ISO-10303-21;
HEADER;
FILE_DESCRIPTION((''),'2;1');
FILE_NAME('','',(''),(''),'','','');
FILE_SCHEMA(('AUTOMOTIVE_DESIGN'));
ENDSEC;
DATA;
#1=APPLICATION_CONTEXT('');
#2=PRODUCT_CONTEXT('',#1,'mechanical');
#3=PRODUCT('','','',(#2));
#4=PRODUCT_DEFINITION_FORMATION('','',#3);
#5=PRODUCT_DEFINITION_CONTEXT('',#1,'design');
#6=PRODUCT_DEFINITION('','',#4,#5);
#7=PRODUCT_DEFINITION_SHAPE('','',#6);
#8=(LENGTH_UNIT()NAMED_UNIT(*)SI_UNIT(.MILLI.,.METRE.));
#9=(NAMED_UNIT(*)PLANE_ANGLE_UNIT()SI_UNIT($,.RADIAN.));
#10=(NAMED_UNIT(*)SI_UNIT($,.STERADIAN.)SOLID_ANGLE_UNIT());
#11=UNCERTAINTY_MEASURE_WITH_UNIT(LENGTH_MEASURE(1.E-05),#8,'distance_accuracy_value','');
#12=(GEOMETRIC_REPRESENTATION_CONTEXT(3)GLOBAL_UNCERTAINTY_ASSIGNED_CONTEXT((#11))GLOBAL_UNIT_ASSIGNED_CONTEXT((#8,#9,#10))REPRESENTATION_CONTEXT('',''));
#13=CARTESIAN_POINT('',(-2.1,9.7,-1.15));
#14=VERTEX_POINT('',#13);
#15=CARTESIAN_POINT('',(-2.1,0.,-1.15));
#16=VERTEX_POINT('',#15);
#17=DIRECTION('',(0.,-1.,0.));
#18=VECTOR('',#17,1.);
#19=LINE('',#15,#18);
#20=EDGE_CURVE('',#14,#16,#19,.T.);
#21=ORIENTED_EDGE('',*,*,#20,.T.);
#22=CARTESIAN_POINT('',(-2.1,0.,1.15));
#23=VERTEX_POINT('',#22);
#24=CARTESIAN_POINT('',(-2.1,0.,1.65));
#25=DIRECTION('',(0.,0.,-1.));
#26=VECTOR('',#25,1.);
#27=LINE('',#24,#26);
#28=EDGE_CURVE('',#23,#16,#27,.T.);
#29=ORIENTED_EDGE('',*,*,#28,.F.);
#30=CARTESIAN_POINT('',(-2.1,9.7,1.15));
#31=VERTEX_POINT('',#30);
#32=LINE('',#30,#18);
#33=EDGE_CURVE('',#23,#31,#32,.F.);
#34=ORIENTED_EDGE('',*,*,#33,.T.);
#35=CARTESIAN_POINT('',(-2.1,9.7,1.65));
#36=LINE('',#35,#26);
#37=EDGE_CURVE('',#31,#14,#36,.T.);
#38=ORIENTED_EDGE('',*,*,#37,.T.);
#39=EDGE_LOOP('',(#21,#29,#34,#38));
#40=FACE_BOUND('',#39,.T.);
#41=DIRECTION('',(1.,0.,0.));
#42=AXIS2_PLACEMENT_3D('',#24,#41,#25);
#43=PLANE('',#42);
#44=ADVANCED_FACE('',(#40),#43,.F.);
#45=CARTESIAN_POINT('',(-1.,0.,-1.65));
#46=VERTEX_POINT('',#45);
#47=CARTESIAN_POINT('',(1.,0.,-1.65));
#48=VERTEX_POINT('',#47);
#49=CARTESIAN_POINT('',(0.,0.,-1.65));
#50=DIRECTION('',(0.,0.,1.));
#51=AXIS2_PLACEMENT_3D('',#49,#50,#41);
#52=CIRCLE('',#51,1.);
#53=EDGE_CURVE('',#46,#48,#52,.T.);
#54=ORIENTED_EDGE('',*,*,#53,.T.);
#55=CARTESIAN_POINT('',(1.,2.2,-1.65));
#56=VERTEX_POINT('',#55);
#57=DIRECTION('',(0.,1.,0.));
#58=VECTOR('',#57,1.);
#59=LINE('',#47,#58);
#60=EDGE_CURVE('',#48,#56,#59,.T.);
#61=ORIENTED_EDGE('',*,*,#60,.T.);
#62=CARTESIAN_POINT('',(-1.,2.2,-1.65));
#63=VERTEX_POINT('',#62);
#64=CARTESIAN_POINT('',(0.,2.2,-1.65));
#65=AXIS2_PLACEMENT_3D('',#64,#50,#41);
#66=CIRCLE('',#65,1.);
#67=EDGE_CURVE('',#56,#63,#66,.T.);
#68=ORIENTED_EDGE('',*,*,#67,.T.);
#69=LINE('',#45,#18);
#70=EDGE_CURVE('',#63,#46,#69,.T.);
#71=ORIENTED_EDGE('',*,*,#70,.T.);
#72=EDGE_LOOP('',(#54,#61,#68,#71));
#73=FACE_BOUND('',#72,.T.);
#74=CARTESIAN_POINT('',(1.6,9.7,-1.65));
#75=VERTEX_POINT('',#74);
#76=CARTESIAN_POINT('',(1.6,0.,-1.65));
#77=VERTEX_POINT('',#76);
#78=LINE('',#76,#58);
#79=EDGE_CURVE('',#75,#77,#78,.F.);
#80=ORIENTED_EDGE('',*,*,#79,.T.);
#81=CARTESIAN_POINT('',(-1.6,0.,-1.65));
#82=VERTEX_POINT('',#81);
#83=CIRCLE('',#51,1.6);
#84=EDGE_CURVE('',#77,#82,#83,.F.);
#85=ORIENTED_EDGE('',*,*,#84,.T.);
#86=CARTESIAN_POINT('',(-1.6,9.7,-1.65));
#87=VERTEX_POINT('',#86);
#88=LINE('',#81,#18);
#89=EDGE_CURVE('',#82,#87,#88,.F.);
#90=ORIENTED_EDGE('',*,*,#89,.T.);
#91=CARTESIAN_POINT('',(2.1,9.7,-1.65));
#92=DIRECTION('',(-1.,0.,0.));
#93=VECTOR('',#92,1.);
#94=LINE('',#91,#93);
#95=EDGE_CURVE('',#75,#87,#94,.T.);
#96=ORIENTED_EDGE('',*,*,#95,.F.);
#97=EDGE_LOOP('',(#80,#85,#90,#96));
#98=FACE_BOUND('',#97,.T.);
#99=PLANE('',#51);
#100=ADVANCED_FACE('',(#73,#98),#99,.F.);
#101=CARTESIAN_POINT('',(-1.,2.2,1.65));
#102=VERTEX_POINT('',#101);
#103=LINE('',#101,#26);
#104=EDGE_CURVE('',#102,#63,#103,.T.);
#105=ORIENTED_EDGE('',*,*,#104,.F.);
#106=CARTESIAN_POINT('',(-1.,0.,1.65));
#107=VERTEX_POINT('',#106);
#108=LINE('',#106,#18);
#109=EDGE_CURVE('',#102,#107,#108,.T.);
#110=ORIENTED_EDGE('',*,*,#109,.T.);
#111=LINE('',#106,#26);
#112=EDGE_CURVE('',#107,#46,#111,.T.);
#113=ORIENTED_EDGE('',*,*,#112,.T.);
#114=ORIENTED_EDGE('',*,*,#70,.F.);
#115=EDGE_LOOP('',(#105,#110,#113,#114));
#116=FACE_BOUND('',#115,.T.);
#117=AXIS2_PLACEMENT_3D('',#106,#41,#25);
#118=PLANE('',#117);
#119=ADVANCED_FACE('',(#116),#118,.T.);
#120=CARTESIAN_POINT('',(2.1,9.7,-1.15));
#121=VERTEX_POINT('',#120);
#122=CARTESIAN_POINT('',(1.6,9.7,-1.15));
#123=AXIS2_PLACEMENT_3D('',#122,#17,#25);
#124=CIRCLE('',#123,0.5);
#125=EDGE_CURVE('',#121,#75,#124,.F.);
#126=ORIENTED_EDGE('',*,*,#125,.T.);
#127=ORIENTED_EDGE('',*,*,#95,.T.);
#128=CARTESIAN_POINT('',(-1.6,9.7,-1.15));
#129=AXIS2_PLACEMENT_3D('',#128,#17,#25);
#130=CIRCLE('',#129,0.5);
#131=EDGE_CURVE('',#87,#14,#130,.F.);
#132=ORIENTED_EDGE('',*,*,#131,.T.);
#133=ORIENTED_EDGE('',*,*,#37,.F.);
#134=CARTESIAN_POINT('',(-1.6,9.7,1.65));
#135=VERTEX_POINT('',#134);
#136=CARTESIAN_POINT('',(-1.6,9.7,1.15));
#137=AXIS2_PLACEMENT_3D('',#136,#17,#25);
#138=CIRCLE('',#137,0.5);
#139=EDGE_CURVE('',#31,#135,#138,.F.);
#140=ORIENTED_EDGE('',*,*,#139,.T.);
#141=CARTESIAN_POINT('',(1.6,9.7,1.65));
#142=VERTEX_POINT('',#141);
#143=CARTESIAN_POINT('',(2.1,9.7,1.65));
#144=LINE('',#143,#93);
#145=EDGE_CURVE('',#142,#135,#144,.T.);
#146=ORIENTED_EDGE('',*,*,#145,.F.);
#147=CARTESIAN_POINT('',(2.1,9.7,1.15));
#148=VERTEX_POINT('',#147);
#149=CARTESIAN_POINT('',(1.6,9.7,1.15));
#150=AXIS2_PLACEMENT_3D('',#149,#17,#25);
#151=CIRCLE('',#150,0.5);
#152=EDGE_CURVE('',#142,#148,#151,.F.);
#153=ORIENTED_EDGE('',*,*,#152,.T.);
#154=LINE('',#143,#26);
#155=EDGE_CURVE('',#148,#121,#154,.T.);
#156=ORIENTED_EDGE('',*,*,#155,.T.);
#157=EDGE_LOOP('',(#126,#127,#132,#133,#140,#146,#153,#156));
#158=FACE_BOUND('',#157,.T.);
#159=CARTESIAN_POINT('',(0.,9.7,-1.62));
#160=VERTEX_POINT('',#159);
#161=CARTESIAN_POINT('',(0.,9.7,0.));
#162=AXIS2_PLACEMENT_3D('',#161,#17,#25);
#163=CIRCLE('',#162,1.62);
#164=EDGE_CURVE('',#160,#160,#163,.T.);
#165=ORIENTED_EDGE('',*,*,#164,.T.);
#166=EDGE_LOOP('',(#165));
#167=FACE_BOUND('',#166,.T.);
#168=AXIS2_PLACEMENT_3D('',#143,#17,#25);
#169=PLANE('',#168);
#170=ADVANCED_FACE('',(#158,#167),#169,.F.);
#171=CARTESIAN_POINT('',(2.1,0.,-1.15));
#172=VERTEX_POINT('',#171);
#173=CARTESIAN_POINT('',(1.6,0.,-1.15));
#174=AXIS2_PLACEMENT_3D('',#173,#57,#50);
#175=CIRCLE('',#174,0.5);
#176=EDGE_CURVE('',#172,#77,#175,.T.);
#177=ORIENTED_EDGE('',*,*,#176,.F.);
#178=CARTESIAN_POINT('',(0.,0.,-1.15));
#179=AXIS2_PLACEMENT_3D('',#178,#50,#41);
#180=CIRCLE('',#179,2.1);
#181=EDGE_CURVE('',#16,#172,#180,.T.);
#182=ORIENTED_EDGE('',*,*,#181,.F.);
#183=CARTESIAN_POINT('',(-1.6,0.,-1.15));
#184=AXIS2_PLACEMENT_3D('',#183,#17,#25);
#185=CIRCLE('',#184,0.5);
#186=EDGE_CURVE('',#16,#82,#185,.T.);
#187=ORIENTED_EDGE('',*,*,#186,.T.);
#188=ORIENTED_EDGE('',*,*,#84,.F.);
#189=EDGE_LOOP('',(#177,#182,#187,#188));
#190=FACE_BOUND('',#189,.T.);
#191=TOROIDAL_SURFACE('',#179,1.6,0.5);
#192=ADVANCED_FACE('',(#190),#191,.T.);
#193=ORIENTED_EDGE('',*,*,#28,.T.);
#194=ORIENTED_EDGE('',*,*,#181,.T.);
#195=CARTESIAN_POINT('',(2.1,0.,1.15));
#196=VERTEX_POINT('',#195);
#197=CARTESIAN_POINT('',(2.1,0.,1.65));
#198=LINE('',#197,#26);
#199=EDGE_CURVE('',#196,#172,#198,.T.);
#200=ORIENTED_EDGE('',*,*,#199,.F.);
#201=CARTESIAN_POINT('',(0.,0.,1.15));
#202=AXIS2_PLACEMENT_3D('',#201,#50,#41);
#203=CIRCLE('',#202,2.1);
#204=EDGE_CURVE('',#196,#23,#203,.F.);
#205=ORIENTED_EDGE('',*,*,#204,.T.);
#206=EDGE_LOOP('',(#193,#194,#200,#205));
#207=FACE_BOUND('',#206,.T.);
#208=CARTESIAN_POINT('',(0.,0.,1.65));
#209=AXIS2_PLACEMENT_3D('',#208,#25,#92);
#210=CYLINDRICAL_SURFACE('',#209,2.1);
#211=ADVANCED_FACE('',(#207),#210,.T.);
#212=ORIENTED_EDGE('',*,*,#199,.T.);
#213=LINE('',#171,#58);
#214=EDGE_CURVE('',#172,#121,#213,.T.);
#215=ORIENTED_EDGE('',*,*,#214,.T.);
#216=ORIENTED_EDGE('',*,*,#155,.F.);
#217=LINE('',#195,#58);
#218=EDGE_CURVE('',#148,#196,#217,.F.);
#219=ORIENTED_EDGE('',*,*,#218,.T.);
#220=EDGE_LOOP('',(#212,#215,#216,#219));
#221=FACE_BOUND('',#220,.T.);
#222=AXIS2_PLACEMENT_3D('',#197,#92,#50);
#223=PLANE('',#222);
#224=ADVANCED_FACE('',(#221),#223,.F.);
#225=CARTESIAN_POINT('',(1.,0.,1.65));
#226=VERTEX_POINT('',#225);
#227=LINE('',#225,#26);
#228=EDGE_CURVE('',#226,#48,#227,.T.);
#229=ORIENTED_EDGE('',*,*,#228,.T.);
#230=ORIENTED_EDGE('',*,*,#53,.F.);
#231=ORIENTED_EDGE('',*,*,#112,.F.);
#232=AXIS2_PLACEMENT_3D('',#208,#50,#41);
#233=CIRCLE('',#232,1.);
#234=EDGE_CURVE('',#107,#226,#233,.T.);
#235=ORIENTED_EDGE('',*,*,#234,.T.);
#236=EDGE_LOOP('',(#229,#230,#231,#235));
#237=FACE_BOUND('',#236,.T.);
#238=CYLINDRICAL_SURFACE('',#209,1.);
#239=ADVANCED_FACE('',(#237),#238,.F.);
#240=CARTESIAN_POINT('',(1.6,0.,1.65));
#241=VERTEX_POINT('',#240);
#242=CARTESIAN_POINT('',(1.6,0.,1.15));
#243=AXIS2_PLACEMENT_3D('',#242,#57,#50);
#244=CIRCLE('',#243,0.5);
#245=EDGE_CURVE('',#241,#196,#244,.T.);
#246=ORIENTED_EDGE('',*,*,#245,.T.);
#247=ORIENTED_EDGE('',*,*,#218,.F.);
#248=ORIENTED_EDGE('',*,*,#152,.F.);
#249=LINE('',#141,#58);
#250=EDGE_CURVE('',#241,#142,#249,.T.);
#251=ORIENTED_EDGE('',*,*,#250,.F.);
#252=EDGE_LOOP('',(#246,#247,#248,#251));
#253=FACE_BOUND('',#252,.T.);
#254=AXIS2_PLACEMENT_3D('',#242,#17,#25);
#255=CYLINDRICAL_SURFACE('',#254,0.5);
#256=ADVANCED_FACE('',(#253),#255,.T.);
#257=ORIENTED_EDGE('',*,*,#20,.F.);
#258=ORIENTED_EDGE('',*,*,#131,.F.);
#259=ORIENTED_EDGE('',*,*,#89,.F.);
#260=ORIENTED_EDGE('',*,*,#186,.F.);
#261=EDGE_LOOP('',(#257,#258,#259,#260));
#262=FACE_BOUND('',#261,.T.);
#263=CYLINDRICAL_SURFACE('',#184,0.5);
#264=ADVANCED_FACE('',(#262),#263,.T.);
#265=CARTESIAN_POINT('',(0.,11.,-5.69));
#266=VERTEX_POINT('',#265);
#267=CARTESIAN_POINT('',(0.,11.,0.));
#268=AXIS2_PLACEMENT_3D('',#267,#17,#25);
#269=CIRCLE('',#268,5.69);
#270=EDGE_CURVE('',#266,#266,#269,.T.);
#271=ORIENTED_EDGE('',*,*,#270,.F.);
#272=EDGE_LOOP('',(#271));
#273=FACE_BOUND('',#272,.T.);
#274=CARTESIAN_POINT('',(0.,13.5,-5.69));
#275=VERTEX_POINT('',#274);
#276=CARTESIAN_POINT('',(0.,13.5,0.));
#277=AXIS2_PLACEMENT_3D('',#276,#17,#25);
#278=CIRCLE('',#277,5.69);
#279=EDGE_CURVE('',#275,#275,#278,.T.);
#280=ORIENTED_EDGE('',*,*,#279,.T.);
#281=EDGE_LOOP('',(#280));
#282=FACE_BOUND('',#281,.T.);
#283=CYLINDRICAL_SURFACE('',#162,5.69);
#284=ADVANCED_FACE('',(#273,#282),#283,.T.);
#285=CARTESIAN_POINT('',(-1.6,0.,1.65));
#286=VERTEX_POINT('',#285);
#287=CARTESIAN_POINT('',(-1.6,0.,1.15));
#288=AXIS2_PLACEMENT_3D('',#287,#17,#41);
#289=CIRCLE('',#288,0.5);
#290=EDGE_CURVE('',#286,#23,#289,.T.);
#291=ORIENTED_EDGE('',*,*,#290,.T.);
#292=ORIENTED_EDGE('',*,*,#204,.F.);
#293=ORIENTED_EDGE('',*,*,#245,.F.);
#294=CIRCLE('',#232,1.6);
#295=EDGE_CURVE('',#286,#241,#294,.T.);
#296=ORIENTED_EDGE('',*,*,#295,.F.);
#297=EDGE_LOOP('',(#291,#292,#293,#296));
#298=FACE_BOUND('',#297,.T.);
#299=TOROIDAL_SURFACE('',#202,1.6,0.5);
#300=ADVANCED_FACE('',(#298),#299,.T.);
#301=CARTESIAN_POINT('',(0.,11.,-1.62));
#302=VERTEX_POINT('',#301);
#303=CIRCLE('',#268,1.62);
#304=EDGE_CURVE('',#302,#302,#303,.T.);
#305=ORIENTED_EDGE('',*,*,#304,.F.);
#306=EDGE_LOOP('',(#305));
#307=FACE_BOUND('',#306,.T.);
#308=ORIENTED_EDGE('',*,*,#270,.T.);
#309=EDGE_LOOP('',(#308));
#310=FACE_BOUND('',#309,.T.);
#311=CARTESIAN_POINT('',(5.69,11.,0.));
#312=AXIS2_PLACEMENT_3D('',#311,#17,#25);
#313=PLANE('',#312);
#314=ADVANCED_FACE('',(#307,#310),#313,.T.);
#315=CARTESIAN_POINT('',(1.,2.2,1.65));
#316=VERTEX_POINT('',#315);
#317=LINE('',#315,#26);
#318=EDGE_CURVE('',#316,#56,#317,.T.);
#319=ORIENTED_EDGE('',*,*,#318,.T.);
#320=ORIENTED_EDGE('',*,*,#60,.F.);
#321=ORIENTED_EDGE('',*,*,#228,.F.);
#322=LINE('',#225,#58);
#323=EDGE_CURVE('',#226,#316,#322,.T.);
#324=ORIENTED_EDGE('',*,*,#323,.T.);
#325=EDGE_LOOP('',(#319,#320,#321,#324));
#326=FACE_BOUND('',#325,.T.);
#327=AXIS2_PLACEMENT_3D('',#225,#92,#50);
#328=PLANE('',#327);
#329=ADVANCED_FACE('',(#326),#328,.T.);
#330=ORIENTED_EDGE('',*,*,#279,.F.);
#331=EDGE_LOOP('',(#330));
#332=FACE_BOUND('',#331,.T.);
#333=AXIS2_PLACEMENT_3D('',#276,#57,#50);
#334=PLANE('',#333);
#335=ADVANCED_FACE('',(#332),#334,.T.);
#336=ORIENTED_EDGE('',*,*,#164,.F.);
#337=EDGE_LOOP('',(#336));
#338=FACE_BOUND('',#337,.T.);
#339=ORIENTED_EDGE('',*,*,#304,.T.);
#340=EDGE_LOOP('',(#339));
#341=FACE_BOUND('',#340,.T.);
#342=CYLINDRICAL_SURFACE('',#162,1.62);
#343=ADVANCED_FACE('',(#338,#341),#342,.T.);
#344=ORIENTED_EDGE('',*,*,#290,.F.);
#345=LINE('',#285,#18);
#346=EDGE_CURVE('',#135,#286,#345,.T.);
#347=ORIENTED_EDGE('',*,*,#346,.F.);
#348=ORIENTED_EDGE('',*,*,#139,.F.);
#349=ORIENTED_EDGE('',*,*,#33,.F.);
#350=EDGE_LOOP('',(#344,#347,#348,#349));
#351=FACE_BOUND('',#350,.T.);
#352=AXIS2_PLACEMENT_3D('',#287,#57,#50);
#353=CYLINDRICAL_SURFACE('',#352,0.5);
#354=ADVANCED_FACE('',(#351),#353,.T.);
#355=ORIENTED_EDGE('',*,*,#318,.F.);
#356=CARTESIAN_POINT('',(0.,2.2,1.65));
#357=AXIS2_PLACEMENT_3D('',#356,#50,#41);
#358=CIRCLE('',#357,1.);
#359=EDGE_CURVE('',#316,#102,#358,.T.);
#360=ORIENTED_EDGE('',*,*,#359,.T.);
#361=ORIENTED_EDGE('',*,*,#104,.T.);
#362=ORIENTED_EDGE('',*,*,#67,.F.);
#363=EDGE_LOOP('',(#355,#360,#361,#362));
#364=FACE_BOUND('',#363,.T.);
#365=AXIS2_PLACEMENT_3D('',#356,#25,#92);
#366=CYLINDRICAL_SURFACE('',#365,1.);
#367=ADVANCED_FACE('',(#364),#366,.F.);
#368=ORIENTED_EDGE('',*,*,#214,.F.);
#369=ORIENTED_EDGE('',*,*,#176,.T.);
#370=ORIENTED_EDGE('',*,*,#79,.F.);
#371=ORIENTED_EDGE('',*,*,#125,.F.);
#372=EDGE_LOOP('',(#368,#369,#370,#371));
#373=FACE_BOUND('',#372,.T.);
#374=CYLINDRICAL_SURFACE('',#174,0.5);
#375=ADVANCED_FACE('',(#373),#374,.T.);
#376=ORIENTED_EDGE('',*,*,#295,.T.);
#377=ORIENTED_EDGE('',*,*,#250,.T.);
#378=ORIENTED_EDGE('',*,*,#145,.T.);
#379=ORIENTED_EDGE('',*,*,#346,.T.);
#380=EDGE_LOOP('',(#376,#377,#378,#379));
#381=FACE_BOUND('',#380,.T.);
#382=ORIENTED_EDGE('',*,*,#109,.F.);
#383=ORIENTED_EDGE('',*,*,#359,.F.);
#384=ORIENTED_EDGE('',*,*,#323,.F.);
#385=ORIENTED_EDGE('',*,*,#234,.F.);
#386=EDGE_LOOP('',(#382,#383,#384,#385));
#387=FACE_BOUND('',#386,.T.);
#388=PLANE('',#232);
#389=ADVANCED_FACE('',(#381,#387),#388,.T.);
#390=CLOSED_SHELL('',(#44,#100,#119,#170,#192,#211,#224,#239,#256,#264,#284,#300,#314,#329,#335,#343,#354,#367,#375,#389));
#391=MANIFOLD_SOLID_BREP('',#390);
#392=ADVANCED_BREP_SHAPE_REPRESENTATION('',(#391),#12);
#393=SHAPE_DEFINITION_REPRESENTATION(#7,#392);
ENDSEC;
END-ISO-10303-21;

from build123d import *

# Parameters (mm, degrees)
BOSS_EXTRUDE1_DEPTH = 1.65
FILLET1_R           = 0.5


with BuildPart() as part:
    # Sketch1 → Boss-Extrude1 (new, symmetric)
    with BuildSketch(Plane.XY):
        with BuildLine():
            Line((2.1, 0), (2.1, 9.7))
            Line((2.1, 9.7), (-2.1, 9.7))
            Line((-2.1, 9.7), (-2.1, 0))
            ThreePointArc((-2.1, 0), (0, -2.1), (2.1, 0))
        make_face()
        with BuildLine():
            Line((1, 0), (1, 2.2))
            ThreePointArc((1, 2.2), (0, 3.2), (-1, 2.2))
            Line((-1, 2.2), (-1, 0))
            ThreePointArc((-1, 0), (0, -1), (1, 0))
        make_face(mode=Mode.SUBTRACT)
    extrude(amount=BOSS_EXTRUDE1_DEPTH, both=True)

    # Sketch2 → Revolve1 (revolve)
    with BuildSketch(Plane.XY, mode=Mode.PRIVATE) as revolve1_sk:
        Polygon((0, 13.5), (5.69, 13.5), (5.69, 11), (1.62, 11), (1.62, 9.7), (0, 9.7), align=None)
    revolve(revolve1_sk.sketch.rotate(Axis((0, 9.7, 0), (0, 1, 0)), 90), axis=Axis((0, 9.7, 0), (0, 1, 0)))

    # Fillet1
    fillet1_edges = [part.edges().sort_by_distance(p)[0] for p in [
        (2.1, 4.85, 1.65),
        (-2.1, 4.85, 1.65),
        (2.1, 4.85, -1.65),
        (0, -2.1, -1.65),
        (-2.1, 4.85, -1.65),
        (0, -2.1, 1.65),
    ]]
    fillet(fillet1_edges, radius=FILLET1_R)


solid = part.part
